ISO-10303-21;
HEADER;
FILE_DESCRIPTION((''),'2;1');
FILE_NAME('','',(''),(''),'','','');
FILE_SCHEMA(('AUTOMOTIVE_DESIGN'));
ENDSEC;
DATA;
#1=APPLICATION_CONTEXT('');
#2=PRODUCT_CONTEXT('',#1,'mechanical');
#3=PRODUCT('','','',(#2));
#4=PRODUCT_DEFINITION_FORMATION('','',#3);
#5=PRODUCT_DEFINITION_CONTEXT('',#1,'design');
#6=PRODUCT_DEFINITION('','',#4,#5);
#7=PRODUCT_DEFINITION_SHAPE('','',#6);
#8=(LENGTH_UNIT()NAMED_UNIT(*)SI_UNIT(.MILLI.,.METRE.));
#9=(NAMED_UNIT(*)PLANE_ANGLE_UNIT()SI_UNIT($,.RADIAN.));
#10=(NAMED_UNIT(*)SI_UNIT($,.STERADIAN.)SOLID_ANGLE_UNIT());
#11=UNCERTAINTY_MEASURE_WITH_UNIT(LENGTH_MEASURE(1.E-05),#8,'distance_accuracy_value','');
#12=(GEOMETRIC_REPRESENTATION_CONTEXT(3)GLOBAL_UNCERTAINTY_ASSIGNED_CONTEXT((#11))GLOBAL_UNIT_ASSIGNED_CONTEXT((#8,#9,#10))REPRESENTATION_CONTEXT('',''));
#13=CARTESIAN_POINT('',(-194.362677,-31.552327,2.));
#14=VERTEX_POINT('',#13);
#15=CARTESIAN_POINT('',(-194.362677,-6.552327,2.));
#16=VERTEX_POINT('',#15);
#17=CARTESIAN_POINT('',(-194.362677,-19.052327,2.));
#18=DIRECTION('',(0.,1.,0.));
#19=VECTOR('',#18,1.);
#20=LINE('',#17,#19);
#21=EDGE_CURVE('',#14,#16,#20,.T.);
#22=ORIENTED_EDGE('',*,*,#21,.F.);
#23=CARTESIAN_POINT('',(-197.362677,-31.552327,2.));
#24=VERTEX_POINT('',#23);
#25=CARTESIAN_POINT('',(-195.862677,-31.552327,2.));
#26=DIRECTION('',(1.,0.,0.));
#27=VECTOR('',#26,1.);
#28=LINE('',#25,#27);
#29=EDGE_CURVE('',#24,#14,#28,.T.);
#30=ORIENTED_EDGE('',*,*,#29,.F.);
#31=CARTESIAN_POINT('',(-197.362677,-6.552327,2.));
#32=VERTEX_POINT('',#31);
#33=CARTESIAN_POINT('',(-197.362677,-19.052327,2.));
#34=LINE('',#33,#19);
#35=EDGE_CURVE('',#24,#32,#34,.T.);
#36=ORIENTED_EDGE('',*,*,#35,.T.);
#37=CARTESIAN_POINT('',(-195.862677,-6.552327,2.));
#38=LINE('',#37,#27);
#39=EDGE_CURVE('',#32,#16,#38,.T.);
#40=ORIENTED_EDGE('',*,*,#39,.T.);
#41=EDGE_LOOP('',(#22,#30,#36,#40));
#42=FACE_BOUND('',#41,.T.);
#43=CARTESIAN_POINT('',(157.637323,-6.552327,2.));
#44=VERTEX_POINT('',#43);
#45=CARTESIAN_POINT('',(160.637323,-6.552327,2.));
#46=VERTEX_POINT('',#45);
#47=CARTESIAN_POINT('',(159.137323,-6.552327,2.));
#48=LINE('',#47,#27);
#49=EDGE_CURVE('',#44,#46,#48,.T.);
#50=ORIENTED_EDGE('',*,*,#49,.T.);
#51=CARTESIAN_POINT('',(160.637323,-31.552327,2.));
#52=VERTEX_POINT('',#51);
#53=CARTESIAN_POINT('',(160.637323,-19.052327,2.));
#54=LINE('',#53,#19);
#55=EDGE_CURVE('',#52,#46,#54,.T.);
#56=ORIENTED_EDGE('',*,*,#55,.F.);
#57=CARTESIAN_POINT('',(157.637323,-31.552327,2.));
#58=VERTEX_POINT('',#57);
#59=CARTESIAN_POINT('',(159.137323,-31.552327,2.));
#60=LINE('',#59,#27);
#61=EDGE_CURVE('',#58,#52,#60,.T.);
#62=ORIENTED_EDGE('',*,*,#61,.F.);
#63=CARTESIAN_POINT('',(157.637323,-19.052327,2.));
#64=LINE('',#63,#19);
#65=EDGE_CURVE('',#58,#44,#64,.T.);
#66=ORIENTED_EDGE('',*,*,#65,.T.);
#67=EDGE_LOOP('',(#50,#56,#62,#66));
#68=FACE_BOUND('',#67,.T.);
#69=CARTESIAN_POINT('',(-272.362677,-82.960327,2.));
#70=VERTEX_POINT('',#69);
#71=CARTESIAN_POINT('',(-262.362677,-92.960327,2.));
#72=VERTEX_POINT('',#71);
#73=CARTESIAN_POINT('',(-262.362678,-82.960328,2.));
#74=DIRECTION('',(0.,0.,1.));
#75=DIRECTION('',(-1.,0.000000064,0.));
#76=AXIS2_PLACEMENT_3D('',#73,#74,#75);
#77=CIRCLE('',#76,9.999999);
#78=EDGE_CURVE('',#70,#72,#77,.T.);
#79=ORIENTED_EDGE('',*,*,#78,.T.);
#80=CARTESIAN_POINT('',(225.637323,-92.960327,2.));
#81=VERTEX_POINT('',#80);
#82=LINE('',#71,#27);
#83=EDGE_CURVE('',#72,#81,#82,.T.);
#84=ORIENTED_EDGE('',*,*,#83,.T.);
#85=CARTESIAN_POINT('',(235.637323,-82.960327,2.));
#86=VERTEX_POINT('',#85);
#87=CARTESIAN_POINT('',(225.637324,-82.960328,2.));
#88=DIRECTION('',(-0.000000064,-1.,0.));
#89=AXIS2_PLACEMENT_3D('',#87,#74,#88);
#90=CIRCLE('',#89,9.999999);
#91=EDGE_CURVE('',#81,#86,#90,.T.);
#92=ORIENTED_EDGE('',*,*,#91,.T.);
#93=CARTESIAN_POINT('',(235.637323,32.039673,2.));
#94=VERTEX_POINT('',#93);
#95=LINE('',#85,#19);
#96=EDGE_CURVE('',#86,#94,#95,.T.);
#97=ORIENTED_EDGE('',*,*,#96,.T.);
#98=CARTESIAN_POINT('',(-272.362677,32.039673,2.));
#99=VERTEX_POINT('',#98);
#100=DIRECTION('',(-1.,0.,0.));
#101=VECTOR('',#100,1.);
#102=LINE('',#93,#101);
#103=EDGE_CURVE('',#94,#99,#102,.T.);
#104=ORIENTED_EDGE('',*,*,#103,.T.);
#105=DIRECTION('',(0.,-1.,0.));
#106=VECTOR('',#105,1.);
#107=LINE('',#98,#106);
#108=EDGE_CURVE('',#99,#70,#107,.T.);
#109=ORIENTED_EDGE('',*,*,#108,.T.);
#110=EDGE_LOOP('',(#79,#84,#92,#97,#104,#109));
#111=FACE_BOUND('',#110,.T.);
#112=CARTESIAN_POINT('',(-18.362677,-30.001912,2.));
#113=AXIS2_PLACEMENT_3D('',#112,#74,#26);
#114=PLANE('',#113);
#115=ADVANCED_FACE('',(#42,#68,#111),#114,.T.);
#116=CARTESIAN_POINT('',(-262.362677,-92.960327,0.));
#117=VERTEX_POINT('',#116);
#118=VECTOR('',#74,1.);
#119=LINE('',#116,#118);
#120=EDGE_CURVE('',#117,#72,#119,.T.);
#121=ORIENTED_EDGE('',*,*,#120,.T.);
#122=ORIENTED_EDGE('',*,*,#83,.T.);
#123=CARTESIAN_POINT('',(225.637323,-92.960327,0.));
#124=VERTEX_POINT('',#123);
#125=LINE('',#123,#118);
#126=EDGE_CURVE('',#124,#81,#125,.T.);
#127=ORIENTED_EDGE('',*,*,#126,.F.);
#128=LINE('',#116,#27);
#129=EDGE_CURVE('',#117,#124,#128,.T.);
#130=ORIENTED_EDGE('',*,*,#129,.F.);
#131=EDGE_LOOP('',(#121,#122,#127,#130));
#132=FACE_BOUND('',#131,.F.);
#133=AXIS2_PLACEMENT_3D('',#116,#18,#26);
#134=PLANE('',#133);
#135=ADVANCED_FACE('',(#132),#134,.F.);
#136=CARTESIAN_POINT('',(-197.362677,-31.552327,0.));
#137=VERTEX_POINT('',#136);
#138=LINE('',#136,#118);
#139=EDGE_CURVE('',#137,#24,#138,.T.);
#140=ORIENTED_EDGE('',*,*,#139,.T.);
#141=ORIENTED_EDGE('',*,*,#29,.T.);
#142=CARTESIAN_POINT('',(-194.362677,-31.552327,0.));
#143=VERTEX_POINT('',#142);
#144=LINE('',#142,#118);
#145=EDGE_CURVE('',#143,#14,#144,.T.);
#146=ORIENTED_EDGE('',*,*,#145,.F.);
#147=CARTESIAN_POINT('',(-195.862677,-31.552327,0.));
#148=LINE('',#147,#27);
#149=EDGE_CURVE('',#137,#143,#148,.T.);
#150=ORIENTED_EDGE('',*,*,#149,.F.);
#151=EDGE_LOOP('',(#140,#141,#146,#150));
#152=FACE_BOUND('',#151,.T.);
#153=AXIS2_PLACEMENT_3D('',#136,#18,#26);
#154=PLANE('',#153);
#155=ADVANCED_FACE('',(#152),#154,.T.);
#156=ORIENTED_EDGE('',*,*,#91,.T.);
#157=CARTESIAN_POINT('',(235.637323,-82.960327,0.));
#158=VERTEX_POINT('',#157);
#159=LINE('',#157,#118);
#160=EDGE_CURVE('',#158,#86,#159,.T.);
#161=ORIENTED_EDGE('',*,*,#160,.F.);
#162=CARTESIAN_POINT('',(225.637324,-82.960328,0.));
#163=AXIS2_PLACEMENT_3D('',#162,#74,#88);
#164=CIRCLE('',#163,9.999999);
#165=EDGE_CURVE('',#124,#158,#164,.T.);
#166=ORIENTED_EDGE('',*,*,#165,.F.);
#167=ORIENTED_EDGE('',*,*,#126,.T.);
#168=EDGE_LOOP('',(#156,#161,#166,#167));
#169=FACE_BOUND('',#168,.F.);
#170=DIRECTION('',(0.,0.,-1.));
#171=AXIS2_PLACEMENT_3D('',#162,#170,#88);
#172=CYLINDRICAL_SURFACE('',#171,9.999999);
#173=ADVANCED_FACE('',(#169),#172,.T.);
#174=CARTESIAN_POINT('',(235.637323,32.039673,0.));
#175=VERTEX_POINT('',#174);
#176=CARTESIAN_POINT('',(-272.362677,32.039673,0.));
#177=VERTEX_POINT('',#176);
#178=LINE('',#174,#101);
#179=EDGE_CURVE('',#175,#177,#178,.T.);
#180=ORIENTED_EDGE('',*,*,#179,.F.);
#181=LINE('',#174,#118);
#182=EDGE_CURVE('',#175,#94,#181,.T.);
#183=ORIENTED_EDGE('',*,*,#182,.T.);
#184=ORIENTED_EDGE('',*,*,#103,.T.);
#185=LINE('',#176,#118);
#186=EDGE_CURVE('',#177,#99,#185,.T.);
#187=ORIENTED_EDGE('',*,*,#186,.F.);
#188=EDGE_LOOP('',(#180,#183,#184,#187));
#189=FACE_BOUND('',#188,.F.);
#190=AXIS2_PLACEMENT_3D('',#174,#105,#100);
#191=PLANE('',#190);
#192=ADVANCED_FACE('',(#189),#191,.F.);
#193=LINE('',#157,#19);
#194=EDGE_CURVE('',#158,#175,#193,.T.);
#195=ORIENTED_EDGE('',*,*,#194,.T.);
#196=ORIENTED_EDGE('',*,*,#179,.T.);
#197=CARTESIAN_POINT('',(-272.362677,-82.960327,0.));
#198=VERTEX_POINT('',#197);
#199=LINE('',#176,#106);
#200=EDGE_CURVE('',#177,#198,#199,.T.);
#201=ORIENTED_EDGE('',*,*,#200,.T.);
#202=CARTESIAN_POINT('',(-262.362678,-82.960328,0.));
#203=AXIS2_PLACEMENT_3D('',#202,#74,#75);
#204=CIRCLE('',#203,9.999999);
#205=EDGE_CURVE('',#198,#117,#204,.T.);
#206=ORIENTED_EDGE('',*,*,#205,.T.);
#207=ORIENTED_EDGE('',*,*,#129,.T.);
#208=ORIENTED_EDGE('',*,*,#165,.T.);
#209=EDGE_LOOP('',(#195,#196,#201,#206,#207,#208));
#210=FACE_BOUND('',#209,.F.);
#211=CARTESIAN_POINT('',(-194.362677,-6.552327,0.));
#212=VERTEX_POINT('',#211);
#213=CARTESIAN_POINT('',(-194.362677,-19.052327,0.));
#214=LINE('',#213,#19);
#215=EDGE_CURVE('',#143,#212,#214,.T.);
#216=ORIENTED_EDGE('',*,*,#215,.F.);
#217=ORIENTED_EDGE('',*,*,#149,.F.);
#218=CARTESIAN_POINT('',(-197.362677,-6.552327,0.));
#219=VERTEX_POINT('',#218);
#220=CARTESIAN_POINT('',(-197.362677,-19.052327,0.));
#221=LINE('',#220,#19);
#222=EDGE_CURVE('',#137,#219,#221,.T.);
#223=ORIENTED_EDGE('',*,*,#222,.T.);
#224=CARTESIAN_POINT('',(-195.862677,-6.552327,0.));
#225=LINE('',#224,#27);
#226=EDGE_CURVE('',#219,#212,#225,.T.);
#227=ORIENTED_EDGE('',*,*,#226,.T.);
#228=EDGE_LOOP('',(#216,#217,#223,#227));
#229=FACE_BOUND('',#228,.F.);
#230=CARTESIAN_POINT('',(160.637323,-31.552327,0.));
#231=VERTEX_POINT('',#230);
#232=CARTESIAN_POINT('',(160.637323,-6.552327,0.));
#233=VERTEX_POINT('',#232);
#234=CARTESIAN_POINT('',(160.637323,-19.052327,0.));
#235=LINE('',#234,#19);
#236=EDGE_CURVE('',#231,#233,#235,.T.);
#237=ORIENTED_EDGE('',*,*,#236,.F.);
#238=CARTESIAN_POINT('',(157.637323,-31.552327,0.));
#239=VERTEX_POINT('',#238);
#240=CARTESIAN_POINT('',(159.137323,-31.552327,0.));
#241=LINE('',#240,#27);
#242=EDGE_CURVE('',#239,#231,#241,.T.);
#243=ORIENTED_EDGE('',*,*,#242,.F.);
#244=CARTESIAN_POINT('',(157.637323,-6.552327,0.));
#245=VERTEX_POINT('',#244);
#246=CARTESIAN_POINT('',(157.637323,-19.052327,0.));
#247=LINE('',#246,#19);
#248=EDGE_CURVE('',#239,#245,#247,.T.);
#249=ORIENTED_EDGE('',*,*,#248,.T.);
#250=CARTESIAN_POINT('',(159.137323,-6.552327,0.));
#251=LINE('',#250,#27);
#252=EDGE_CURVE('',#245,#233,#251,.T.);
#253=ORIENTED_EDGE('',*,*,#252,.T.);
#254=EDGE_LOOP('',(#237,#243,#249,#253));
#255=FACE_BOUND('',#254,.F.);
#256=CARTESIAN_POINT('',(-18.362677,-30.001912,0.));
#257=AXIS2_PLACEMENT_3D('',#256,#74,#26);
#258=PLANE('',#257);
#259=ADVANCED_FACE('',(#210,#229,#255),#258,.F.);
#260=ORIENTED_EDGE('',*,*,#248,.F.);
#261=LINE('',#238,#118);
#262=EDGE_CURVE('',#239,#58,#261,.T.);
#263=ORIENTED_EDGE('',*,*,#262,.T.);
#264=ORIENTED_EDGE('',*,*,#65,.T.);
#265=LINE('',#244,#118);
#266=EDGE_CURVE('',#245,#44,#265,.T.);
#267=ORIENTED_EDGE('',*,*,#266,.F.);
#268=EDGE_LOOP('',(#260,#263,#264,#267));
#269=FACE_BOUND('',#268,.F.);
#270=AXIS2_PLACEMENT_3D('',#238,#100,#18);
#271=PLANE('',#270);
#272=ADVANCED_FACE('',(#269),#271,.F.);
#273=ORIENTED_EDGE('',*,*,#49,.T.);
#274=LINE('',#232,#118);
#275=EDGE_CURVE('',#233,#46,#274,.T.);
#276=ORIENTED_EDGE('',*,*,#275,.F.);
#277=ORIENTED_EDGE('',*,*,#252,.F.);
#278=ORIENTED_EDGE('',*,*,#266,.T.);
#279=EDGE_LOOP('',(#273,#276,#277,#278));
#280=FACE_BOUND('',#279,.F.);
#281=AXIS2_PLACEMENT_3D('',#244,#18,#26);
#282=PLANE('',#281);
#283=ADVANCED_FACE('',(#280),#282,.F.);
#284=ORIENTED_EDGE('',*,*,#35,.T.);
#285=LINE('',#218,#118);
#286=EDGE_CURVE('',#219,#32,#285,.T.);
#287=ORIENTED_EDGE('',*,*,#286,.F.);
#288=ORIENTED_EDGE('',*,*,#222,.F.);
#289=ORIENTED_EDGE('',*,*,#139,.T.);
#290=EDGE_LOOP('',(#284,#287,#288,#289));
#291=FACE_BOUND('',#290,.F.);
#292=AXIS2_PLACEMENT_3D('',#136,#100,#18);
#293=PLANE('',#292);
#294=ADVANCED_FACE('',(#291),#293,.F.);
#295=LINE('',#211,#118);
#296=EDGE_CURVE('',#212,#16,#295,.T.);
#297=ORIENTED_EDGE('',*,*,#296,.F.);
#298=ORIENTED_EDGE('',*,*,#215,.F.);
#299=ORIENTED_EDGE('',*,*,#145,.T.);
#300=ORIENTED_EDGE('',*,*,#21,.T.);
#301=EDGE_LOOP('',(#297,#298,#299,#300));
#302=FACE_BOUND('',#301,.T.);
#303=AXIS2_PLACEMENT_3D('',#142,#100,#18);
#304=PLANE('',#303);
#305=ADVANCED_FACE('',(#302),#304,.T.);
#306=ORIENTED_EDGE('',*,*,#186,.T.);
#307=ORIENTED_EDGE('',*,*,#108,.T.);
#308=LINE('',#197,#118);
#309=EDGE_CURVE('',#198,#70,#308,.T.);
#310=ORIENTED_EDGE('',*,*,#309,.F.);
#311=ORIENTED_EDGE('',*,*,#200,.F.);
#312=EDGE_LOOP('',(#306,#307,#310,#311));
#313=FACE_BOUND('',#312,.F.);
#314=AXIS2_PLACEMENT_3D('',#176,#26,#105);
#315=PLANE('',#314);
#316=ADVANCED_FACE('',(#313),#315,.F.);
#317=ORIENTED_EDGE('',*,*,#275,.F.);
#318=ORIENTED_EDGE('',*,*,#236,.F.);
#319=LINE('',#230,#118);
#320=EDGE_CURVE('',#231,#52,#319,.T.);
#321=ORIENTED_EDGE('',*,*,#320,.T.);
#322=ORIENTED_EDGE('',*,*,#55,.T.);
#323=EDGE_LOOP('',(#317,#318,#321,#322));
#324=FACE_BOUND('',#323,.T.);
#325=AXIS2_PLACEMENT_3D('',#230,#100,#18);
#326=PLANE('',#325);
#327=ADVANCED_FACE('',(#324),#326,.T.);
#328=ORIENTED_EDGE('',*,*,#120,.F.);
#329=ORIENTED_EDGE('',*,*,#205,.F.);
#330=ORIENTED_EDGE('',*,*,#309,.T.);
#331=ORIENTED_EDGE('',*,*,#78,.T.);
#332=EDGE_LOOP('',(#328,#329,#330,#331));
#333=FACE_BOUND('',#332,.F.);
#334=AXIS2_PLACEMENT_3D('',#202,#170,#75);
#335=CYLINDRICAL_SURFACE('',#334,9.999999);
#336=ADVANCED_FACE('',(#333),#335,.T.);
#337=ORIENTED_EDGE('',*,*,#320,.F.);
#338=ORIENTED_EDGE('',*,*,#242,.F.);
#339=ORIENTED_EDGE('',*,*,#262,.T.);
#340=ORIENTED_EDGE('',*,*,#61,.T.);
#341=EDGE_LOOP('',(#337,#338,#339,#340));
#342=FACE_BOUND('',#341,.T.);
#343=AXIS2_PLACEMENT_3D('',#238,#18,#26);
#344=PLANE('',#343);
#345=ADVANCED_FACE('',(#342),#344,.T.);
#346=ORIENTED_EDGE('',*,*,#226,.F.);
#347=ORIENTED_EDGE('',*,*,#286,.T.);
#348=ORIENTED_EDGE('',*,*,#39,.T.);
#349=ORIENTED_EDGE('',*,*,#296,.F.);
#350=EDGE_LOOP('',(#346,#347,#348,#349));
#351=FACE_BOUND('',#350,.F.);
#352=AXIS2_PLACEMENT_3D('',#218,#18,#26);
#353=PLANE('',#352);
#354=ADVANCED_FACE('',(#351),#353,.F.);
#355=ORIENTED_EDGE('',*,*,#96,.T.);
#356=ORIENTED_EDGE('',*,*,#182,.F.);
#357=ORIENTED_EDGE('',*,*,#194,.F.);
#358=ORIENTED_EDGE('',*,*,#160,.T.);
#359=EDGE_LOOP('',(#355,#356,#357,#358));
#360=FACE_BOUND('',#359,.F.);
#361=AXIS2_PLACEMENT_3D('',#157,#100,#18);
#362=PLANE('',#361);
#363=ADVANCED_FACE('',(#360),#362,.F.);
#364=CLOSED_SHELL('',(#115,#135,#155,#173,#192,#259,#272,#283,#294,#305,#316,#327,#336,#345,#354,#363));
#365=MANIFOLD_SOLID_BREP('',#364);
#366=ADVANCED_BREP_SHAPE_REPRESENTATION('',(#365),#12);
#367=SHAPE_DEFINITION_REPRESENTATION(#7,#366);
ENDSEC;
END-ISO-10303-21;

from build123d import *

# Parameters (mm, degrees)
F0_W     = 3
F0_H     = 25
F1_DEPTH = 2


with BuildPart() as f1:
    # F0 (on Top) → F1 (new body)
    with BuildSketch(Plane.XY):
        with BuildLine():
            Line((235.637323, 32.039673), (-272.362677, 32.039673))
            Line((-272.362677, 32.039673), (-272.362677, -82.960327))
            ThreePointArc((-272.362677, -82.960327), (-269.433745, -90.031395), (-262.362677, -92.960327))
            Line((-262.362677, -92.960327), (225.637323, -92.960327))
            ThreePointArc((225.637323, -92.960327), (232.708391, -90.031395), (235.637323, -82.960327))
            Line((235.637323, -82.960327), (235.637323, 32.039673))
        make_face()
        with Locations((-195.862677, -19.052327)):
            Rectangle(F0_W, F0_H, mode=Mode.SUBTRACT)
        with Locations((159.137323, -19.052327)):
            Rectangle(F0_W, F0_H, mode=Mode.SUBTRACT)
    extrude(amount=F1_DEPTH)


solid = f1.part
